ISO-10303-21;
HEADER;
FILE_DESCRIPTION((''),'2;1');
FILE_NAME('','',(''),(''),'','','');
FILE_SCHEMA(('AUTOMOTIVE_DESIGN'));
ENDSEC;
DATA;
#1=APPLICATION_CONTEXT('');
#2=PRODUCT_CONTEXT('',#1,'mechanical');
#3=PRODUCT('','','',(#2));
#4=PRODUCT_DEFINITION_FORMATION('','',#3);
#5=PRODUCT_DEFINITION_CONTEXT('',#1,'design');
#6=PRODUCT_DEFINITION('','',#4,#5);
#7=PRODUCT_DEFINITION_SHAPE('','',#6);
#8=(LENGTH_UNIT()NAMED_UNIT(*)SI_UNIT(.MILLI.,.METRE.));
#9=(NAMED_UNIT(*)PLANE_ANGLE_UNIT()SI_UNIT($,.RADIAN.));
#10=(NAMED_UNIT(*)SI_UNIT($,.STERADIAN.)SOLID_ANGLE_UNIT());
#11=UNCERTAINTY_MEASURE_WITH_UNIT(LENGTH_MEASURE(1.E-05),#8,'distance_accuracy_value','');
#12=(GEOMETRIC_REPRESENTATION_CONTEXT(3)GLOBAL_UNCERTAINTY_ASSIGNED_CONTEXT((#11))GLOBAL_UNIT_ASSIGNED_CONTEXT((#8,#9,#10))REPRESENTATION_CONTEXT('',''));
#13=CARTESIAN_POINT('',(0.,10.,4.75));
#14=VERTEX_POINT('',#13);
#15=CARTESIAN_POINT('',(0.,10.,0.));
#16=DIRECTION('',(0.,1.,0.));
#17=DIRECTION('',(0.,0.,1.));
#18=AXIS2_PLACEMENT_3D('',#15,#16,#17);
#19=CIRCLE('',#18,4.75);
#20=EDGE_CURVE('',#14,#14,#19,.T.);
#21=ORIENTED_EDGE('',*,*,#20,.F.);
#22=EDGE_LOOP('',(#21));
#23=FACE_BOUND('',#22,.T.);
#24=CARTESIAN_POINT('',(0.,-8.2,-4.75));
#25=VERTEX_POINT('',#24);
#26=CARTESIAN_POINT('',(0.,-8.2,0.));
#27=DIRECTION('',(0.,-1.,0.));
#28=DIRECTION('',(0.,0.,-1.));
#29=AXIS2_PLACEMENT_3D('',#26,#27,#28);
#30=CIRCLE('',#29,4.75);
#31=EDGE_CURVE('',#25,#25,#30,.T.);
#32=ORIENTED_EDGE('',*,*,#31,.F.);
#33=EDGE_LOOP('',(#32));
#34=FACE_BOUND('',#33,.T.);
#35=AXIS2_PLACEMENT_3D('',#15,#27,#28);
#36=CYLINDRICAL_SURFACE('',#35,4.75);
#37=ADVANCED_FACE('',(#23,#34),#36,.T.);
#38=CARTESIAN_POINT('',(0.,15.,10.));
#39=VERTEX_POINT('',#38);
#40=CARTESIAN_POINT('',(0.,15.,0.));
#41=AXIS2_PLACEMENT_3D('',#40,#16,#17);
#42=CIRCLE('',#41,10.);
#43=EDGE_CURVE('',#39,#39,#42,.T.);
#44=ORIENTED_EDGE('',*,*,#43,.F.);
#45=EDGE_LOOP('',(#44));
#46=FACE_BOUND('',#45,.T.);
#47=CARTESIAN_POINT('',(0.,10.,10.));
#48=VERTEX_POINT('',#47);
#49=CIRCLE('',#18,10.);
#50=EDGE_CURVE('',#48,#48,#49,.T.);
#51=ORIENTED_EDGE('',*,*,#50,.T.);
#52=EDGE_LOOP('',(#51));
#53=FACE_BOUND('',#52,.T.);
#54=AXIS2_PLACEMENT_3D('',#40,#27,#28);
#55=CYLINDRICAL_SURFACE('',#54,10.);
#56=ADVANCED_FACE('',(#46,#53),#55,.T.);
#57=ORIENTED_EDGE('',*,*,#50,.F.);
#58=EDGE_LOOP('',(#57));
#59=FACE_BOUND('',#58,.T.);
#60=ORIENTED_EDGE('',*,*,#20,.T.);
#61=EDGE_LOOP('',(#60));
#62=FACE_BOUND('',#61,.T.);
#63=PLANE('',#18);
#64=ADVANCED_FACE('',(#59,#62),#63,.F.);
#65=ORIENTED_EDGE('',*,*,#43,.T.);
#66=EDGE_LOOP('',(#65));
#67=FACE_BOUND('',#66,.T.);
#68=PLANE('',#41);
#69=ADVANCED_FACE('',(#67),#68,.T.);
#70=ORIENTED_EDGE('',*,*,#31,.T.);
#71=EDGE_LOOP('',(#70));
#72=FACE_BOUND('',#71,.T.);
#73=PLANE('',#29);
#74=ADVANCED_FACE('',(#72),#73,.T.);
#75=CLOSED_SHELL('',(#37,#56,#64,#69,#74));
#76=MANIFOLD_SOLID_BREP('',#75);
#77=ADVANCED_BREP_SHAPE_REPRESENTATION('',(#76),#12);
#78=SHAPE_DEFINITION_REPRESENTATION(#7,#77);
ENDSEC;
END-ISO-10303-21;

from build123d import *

# Parameters (mm, degrees)
SKETCH1_R           = 4.75
BOSS_EXTRUDE1_DEPTH = 10
SKETCH2_R           = 10
BOSS_EXTRUDE2_DEPTH = 5
SKETCH3_R           = 4.75
BOSS_EXTRUDE3_DEPTH = 13.2
SKETCH4_R           = 4.75
CUT_EXTRUDE1_DEPTH  = 5


with BuildPart() as part:
    # Sketch1 → Boss-Extrude1 (new body)
    with BuildSketch(Plane(origin=(0, 0, 0), x_dir=(1, 0, 0), z_dir=(0, 1, 0))):
        Circle(SKETCH1_R)
    extrude(amount=BOSS_EXTRUDE1_DEPTH)

    # Sketch2 → Boss-Extrude2 (add)
    with BuildSketch(Plane(origin=(0, 10, 0), x_dir=(1, 0, 0), z_dir=(0, 1, 0))):
        Circle(SKETCH2_R)
    extrude(amount=BOSS_EXTRUDE2_DEPTH)

    # Sketch3 → Boss-Extrude3 (add)
    with BuildSketch(Plane.XZ):
        Circle(SKETCH3_R)
    extrude(amount=BOSS_EXTRUDE3_DEPTH)

    # Sketch4 → Cut-Extrude1 (cut)
    with BuildSketch(Plane.XZ.offset(13.2)):
        Circle(SKETCH4_R)
    extrude(amount=-CUT_EXTRUDE1_DEPTH, mode=Mode.SUBTRACT)


solid = part.part
